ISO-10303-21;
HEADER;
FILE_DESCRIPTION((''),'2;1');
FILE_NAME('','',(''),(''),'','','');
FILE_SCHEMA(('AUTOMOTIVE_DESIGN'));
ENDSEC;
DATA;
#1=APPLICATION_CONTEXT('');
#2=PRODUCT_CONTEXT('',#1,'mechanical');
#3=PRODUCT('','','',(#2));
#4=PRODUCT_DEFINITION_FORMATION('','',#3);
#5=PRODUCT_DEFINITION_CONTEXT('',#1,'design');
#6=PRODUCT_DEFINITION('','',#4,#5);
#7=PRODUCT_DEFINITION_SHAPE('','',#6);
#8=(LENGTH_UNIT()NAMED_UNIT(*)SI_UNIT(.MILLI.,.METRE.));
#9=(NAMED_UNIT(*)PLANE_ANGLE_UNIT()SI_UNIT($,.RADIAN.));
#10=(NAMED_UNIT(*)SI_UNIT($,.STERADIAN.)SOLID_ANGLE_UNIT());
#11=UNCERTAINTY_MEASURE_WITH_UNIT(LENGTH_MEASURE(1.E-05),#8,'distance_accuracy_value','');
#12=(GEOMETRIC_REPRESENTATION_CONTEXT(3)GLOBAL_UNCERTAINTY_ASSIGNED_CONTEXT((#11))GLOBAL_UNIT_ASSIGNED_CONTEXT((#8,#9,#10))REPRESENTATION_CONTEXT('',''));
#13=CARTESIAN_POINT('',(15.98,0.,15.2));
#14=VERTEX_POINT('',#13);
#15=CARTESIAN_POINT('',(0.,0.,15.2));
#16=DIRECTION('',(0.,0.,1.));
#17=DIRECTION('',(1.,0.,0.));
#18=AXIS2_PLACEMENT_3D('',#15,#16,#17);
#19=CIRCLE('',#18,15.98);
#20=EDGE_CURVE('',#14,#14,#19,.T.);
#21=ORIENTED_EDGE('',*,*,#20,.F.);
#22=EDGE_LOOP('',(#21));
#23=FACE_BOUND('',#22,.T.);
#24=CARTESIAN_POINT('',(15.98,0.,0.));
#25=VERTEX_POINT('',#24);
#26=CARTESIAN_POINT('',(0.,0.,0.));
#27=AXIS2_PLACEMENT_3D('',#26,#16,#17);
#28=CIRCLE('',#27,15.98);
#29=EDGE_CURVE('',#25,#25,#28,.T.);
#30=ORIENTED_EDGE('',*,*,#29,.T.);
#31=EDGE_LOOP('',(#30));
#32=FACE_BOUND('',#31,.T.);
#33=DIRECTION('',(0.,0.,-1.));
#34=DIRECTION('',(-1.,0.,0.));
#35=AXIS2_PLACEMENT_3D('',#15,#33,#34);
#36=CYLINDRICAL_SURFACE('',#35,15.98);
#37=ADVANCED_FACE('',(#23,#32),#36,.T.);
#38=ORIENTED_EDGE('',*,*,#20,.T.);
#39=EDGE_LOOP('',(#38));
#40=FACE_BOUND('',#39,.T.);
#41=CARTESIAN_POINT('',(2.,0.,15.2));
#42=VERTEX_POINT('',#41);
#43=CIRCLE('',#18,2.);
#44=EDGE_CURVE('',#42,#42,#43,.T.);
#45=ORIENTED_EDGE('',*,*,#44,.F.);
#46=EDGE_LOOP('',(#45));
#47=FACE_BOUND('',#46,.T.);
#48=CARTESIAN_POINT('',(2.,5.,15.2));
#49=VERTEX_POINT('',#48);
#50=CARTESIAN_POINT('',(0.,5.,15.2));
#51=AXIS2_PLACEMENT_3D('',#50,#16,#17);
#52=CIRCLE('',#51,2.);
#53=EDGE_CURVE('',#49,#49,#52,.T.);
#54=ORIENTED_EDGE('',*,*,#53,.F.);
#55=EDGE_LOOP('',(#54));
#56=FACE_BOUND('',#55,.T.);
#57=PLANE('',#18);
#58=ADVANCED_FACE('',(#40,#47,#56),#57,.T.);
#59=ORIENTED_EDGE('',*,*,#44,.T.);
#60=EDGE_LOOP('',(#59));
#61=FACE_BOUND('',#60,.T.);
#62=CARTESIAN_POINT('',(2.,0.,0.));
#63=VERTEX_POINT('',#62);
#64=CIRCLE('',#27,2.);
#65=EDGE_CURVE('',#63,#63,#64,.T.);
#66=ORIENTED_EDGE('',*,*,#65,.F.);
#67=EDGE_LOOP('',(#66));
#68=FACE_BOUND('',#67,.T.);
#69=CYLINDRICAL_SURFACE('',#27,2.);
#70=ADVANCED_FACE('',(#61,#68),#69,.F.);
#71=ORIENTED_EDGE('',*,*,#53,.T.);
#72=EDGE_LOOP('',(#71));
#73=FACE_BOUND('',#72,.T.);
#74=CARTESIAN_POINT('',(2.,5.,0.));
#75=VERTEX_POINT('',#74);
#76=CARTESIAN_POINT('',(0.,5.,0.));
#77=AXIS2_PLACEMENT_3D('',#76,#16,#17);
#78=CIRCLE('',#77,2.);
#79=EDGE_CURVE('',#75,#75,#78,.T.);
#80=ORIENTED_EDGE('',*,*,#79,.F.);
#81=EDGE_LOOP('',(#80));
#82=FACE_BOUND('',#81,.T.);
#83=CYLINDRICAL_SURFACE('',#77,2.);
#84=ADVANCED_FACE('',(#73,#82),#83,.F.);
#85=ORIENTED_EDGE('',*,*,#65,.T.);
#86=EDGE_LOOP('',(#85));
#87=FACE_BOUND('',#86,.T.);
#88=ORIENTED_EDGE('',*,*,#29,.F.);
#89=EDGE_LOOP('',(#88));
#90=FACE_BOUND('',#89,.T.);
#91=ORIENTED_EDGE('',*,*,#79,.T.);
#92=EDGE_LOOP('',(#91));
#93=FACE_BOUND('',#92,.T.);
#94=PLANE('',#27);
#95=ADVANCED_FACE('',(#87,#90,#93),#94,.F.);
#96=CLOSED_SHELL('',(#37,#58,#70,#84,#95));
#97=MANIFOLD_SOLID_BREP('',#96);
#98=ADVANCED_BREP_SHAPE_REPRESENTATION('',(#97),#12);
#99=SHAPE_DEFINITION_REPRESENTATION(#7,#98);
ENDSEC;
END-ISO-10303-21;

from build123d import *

# Parameters (mm, degrees)
SKETCH1_R      = 15.98
EXTRUDE1_DEPTH = 15.2
SKETCH8_R      = 2
EXTRUDE3_DEPTH = 16.2
SKETCH9_R      = 2
EXTRUDE4_DEPTH = 16.2


with BuildPart() as part:
    # Sketch1 → Extrude1 (new body)
    with BuildSketch(Plane.XY):
        Circle(SKETCH1_R)
    extrude(amount=EXTRUDE1_DEPTH)

    # Sketch8 → Extrude3 (cut, through all)
    with BuildSketch(Plane.XY.offset(15.2)):
        Circle(SKETCH8_R)
    extrude(amount=-EXTRUDE3_DEPTH, mode=Mode.SUBTRACT)

    # Sketch9 → Extrude4 (cut, through all)
    with BuildSketch(Plane.XY.offset(15.2)):
        with Locations((0, 5)):
            Circle(SKETCH9_R)
    extrude(amount=-EXTRUDE4_DEPTH, mode=Mode.SUBTRACT)


solid = part.part
